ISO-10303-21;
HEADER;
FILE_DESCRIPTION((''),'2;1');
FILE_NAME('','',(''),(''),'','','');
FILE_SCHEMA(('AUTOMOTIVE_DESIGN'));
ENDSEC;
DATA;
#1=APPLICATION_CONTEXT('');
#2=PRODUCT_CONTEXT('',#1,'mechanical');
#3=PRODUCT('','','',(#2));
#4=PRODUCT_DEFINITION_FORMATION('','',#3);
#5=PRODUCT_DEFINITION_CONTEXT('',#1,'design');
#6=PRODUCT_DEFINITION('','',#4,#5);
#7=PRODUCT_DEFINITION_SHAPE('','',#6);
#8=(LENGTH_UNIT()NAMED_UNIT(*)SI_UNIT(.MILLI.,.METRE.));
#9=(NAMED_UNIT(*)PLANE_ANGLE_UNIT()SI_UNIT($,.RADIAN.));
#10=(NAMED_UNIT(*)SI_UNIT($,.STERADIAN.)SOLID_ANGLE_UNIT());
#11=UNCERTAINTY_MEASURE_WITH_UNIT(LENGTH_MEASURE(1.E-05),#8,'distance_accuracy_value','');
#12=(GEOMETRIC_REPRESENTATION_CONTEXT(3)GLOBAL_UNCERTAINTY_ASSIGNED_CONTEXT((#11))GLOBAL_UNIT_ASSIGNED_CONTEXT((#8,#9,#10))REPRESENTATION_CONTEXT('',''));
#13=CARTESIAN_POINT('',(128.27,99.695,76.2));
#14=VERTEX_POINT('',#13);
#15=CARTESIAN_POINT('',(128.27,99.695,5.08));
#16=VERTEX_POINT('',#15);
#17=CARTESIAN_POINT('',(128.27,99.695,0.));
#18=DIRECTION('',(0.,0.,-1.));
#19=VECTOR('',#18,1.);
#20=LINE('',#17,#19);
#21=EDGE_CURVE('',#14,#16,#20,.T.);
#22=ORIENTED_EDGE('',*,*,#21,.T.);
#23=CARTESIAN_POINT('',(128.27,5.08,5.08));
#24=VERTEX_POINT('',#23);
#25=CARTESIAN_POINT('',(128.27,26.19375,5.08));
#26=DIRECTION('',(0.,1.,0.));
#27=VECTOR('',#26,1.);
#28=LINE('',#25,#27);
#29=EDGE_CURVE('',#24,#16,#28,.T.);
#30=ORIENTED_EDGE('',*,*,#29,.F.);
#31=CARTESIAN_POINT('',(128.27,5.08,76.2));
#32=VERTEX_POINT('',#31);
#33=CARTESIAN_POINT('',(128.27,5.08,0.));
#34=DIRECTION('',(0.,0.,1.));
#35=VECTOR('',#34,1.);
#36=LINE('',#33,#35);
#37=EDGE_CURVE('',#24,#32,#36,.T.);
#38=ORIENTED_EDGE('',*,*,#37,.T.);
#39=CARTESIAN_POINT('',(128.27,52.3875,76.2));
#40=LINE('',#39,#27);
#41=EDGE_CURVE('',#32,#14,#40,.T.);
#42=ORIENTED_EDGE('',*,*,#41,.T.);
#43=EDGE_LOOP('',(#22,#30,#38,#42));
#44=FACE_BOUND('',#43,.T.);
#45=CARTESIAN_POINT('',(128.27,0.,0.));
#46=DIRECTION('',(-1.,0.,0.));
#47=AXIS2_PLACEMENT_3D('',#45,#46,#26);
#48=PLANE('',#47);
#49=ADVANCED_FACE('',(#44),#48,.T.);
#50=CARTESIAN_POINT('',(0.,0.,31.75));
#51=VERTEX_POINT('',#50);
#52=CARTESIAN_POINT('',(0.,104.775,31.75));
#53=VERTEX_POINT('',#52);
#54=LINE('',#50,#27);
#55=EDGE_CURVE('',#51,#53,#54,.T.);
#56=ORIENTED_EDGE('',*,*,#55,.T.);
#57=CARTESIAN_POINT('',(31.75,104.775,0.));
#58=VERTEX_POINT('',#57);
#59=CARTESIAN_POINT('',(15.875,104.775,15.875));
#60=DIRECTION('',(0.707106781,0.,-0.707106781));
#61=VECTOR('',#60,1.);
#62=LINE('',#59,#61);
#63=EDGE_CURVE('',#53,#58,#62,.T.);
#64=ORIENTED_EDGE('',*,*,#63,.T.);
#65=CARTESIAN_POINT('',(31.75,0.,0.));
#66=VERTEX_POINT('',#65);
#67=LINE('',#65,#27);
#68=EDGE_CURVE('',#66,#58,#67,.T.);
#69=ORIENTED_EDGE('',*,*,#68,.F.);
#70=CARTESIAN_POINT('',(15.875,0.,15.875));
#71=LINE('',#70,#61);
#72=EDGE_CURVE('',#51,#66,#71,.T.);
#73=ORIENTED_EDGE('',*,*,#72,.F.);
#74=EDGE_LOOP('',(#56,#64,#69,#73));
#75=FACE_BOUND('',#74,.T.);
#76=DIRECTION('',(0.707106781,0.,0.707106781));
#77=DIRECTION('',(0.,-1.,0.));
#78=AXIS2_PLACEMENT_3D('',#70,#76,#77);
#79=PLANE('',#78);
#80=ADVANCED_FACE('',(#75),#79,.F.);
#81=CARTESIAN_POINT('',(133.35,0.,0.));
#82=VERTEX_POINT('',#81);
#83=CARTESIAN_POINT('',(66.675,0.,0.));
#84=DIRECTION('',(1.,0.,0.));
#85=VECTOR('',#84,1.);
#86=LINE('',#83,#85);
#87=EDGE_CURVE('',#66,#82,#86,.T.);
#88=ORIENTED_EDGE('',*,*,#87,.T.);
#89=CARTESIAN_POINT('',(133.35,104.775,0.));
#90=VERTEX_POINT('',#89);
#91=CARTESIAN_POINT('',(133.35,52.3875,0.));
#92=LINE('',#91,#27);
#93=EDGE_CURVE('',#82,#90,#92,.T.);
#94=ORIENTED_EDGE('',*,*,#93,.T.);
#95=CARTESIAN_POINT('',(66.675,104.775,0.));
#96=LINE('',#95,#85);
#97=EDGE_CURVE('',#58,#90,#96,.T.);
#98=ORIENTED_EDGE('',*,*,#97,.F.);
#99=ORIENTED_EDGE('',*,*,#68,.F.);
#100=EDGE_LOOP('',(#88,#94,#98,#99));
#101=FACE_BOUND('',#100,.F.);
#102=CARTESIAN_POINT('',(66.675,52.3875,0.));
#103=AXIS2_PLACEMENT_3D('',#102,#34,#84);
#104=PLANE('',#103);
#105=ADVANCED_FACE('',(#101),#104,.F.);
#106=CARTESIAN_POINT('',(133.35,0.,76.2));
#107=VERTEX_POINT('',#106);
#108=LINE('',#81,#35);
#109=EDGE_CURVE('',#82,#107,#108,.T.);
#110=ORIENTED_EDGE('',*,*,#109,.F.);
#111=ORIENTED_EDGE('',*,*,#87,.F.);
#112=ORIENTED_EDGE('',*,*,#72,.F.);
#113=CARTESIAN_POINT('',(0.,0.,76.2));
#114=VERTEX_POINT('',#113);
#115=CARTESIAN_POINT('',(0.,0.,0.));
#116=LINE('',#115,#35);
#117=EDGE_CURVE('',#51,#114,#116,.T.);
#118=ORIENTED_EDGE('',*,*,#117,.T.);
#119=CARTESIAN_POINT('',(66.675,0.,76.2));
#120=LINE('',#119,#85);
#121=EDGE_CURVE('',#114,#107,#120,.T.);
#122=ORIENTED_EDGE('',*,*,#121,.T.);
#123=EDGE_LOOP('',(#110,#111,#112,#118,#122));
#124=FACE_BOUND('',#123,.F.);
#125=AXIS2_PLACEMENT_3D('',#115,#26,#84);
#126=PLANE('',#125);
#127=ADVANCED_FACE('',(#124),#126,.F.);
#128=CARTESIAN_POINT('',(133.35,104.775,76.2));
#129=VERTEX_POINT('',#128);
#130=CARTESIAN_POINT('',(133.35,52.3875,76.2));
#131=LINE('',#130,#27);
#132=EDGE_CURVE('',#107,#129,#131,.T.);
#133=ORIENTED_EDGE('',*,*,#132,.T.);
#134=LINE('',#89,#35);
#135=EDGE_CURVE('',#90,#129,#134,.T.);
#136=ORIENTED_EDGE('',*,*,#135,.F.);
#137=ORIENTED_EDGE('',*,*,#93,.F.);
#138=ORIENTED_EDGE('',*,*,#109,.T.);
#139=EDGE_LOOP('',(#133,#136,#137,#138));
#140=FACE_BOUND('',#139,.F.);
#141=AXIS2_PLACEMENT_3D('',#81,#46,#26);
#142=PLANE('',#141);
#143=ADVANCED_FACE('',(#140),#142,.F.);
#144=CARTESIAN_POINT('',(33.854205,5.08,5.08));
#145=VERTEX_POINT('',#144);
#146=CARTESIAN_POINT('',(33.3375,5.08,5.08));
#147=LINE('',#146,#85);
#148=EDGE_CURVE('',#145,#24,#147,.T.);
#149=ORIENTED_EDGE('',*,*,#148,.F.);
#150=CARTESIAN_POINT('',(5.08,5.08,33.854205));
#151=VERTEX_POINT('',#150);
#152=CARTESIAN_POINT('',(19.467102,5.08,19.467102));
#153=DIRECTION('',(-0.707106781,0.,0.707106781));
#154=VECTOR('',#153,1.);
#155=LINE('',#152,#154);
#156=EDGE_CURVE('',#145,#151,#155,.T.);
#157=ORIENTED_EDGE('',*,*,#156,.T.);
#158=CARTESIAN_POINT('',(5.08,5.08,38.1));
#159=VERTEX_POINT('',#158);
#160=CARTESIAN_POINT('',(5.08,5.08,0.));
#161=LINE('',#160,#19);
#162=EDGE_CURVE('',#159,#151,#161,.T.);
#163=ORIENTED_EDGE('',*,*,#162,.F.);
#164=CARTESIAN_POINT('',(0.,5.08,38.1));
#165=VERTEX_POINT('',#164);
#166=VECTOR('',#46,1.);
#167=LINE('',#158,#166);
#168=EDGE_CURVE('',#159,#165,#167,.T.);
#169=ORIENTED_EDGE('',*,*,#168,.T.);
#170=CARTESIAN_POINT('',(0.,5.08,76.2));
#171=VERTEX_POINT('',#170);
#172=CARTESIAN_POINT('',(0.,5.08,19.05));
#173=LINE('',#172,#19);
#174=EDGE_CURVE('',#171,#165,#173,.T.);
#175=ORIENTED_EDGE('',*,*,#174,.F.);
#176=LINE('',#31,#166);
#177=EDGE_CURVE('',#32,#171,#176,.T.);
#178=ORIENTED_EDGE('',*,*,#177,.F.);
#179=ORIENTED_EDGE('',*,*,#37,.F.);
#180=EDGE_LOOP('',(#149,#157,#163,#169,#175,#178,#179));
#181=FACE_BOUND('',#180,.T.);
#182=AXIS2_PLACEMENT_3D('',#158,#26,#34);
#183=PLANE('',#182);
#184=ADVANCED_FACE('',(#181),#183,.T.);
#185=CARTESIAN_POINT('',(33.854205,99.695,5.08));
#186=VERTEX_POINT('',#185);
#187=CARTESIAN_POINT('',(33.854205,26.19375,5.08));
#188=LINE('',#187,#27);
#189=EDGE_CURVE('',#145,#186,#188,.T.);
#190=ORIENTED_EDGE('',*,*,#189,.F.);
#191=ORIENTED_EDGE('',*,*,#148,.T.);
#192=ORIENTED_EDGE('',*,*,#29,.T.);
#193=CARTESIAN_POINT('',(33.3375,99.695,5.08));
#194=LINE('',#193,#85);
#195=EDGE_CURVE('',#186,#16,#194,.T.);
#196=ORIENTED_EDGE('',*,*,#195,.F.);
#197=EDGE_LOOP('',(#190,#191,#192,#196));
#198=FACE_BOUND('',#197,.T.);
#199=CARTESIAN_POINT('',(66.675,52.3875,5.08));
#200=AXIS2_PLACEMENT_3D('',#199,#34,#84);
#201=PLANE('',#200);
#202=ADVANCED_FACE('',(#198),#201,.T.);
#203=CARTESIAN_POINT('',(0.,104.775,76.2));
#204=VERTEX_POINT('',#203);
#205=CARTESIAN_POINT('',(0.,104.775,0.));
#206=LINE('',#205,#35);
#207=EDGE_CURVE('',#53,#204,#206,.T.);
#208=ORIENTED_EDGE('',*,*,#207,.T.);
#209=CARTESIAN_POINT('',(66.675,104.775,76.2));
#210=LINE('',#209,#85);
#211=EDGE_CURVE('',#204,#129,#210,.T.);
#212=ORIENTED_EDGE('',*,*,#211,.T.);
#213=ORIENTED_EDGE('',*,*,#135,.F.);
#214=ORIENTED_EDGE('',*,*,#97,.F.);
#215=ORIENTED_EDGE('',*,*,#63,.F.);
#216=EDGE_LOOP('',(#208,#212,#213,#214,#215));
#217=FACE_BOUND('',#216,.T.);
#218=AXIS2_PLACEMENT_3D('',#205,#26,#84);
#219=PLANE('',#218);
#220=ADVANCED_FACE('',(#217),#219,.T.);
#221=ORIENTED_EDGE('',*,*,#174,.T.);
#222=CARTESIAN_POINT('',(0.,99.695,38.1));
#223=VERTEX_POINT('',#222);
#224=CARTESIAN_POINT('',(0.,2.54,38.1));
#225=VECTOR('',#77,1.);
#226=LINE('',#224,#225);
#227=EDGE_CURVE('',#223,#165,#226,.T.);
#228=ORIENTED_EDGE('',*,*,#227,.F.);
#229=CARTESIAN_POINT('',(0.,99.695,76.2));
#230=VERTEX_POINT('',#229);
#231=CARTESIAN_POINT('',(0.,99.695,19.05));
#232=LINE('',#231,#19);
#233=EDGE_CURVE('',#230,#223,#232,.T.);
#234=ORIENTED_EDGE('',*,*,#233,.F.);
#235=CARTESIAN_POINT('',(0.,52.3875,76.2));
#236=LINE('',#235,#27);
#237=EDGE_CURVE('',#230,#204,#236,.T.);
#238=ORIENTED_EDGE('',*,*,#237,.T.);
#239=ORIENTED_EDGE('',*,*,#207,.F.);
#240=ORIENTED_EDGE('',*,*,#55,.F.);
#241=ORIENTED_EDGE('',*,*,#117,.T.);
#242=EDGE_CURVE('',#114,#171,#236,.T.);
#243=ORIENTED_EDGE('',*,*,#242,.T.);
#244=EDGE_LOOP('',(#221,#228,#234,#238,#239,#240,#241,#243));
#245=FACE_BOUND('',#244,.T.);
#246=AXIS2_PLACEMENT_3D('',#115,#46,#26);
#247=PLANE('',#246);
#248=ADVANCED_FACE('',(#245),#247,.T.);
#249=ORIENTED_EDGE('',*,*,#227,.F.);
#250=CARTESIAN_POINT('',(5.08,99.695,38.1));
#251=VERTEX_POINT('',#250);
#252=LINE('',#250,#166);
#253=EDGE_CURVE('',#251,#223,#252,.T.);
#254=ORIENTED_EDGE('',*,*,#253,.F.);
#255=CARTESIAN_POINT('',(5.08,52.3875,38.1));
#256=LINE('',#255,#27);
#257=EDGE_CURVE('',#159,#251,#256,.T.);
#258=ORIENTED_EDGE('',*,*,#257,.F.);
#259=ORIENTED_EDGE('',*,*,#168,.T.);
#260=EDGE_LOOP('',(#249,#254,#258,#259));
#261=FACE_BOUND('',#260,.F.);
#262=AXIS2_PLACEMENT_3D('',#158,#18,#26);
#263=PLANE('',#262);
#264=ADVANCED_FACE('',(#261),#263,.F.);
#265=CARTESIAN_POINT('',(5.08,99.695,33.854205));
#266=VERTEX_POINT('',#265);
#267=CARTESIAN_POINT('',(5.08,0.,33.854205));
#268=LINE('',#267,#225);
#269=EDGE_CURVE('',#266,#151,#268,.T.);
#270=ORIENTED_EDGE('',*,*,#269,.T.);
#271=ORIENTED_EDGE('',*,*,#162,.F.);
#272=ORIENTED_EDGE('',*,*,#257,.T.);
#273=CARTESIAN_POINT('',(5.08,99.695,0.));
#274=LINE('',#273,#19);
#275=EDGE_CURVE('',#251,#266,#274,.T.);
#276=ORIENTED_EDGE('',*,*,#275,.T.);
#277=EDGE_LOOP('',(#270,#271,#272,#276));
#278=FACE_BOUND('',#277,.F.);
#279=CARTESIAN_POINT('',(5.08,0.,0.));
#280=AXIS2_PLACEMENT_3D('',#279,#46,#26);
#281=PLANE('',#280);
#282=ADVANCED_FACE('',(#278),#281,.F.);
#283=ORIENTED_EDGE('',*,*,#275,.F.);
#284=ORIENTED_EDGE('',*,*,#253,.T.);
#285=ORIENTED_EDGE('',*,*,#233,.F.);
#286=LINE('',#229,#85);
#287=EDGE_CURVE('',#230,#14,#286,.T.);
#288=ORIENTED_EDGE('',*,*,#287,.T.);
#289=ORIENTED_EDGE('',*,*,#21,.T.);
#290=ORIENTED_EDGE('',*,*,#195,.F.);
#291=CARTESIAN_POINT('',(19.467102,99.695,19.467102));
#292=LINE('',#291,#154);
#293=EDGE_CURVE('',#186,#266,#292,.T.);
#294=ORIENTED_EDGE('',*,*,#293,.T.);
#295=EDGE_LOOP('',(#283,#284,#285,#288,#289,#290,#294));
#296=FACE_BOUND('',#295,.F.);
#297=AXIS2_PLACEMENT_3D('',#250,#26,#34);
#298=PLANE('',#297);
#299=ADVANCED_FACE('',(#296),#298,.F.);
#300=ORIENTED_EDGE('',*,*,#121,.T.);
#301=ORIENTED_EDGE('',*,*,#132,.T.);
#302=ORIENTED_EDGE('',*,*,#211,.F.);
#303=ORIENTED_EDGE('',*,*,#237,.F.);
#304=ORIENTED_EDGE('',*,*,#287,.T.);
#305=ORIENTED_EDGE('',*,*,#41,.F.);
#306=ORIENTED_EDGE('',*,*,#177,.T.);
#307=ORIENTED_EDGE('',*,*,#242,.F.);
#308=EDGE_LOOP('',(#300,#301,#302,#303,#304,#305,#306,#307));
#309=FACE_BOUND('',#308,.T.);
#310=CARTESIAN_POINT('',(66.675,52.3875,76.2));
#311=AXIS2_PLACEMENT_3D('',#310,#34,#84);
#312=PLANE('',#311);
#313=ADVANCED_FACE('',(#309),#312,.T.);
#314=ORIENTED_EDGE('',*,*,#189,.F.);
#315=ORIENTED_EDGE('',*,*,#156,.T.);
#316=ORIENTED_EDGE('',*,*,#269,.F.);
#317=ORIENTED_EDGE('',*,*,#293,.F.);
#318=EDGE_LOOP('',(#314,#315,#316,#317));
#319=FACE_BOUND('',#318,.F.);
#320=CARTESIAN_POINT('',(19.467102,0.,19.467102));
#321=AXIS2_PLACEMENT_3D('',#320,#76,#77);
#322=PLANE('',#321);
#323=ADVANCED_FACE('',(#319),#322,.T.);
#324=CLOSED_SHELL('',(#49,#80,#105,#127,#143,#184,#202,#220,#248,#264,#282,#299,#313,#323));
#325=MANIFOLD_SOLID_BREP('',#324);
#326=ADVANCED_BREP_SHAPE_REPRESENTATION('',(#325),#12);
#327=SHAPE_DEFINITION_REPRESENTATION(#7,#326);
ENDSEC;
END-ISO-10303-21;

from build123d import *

# Parameters (mm, degrees)
F0_W     = 133.35
F0_H     = 104.775
F1_DEPTH = 76.2
F2_SIZE  = 31.75
F3_T     = -5.08
F4_W     = 94.615
F4_H     = 38.1
F5_DEPTH = 25.4


with BuildPart() as f1:
    # F0 (on Top) → F1 (new body)
    with BuildSketch(Plane.XY):
        with Locations((66.675, 52.3875)):
            Rectangle(F0_W, F0_H)
    extrude(amount=F1_DEPTH)

    # F2
    f2_edges = [f1.edges().sort_by_distance(p)[0] for p in [
        (0, 52.3875, 0),
    ]]
    chamfer(f2_edges, length=F2_SIZE)

    # F3
    f3_openings = [f1.faces().sort_by_distance(p)[0] for p in [
        (66.675, 52.3875, 76.2),
    ]]
    offset(amount=F3_T, openings=f3_openings)

    # F4 (on face) → F5 (cut)
    with BuildSketch(Plane.YZ.offset(5.08)):
        with Locations((52.3875, 57.15)):
            Rectangle(F4_W, F4_H)
    extrude(amount=-F5_DEPTH, mode=Mode.SUBTRACT)


solid = f1.part
